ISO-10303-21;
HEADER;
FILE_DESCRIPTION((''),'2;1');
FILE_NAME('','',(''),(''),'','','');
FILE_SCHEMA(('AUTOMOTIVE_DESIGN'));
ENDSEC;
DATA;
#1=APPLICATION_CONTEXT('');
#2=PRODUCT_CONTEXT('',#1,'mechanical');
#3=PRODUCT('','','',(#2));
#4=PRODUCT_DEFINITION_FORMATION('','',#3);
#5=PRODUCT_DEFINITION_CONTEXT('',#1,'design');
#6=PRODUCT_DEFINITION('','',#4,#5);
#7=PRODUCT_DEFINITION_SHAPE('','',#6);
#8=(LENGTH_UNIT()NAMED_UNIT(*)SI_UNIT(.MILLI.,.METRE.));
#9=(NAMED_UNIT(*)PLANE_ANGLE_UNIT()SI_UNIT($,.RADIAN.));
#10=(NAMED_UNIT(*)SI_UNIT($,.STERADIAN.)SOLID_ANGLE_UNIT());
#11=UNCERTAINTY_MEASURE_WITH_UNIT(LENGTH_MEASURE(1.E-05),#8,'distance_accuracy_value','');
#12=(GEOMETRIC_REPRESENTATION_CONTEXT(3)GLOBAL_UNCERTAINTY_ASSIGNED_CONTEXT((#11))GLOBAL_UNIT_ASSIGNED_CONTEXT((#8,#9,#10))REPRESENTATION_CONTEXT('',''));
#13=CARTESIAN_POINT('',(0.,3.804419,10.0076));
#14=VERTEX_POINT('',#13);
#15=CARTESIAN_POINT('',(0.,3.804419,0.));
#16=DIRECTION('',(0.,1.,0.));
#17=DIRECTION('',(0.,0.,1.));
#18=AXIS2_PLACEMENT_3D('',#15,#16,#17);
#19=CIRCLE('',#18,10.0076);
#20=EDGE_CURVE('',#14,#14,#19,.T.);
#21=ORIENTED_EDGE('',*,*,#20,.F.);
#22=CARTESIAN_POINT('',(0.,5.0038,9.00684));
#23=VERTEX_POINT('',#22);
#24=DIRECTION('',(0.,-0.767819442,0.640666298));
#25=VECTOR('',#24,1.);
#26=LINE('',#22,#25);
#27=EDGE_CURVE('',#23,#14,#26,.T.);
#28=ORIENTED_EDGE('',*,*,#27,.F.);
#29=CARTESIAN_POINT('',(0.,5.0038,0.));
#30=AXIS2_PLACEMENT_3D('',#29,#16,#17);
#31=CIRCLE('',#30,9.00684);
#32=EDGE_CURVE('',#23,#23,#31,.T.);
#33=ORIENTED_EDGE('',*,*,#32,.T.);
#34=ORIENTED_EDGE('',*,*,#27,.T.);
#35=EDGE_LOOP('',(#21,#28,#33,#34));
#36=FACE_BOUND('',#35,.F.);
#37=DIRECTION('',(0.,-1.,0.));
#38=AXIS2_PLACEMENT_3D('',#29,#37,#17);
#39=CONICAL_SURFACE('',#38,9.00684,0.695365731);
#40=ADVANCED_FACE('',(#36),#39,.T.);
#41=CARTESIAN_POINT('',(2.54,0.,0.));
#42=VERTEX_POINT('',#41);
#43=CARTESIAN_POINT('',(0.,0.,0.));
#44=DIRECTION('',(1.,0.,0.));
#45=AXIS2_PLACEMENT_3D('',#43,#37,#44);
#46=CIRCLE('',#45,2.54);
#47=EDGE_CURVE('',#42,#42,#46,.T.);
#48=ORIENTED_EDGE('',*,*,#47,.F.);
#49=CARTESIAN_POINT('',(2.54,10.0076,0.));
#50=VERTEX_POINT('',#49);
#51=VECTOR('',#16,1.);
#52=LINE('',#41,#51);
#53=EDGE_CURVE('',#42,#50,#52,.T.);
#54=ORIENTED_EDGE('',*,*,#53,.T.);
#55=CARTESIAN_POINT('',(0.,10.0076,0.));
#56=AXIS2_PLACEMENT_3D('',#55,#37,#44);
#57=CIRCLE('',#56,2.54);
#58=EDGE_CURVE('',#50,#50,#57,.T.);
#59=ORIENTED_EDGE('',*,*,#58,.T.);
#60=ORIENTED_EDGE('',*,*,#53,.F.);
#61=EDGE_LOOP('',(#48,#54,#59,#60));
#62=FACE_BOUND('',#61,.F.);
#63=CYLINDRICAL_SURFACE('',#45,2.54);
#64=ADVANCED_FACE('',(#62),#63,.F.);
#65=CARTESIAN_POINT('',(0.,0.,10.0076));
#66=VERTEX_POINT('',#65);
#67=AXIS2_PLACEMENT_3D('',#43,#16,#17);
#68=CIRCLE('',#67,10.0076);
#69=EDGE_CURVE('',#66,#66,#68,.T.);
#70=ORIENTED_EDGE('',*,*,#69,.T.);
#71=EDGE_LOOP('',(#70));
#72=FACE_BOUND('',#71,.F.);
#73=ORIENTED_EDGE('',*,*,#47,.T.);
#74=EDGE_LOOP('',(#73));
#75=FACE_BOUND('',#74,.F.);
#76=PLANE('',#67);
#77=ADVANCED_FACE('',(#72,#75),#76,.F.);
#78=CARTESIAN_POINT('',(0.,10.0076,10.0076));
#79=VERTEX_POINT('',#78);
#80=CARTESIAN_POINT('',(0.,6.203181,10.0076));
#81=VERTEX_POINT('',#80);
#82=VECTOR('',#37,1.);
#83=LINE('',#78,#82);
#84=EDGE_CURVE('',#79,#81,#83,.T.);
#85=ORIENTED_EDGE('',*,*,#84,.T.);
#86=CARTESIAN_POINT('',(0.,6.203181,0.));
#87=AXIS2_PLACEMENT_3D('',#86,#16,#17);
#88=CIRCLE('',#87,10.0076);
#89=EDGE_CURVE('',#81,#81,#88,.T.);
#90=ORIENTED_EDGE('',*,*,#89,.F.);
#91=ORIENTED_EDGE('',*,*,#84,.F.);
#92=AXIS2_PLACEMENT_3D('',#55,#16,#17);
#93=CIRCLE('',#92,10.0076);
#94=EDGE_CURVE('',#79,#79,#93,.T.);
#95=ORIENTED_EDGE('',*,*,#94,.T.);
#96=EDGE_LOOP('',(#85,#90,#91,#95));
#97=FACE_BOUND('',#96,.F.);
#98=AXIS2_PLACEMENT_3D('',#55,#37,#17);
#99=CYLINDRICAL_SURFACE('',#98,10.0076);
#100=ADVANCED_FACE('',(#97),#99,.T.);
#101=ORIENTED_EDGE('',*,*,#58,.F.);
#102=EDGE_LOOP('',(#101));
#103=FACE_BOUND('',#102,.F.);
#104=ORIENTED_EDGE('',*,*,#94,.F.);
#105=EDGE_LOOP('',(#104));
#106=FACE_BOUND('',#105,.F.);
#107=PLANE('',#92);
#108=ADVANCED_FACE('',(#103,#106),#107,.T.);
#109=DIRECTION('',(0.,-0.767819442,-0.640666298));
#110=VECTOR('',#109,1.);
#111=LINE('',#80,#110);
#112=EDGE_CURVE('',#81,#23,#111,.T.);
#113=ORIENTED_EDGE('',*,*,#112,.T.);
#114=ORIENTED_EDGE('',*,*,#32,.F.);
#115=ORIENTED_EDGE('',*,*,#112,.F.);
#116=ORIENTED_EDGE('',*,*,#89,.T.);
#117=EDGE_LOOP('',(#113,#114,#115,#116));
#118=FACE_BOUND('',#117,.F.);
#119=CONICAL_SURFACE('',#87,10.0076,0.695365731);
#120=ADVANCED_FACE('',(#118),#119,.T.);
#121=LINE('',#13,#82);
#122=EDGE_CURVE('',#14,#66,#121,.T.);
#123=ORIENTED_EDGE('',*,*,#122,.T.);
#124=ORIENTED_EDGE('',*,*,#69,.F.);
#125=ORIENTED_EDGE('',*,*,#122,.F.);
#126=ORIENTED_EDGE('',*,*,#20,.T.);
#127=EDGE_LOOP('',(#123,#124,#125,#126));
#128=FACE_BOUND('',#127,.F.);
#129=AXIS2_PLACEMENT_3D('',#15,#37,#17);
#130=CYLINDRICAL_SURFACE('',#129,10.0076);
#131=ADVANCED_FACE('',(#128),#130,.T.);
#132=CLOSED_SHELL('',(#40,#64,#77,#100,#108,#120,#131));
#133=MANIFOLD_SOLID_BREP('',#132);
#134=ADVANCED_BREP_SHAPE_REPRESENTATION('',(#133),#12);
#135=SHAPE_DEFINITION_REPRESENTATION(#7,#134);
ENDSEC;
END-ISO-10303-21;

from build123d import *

# Parameters (mm, degrees)
F2_R     = 2.54
F3_DEPTH = 10.0076


with BuildPart() as f1:
    # F0 (on Right) → F1 (revolve)
    with BuildSketch(Plane.YZ):
        Polygon((3.804419, 10.0076), (0, 10.0076), (0, 0), (10.0076, 0), (10.0076, 10.0076), (6.203181, 10.0076), (5.0038, 9.00684), align=None)
    revolve(axis=Axis((0, 5.0038, 0), (0, 1, 0)))

    # F2 (on face) → F3 (cut, through all)
    with BuildSketch(Plane.XZ):
        Circle(F2_R)
    extrude(amount=-F3_DEPTH, mode=Mode.SUBTRACT)


solid = f1.part
